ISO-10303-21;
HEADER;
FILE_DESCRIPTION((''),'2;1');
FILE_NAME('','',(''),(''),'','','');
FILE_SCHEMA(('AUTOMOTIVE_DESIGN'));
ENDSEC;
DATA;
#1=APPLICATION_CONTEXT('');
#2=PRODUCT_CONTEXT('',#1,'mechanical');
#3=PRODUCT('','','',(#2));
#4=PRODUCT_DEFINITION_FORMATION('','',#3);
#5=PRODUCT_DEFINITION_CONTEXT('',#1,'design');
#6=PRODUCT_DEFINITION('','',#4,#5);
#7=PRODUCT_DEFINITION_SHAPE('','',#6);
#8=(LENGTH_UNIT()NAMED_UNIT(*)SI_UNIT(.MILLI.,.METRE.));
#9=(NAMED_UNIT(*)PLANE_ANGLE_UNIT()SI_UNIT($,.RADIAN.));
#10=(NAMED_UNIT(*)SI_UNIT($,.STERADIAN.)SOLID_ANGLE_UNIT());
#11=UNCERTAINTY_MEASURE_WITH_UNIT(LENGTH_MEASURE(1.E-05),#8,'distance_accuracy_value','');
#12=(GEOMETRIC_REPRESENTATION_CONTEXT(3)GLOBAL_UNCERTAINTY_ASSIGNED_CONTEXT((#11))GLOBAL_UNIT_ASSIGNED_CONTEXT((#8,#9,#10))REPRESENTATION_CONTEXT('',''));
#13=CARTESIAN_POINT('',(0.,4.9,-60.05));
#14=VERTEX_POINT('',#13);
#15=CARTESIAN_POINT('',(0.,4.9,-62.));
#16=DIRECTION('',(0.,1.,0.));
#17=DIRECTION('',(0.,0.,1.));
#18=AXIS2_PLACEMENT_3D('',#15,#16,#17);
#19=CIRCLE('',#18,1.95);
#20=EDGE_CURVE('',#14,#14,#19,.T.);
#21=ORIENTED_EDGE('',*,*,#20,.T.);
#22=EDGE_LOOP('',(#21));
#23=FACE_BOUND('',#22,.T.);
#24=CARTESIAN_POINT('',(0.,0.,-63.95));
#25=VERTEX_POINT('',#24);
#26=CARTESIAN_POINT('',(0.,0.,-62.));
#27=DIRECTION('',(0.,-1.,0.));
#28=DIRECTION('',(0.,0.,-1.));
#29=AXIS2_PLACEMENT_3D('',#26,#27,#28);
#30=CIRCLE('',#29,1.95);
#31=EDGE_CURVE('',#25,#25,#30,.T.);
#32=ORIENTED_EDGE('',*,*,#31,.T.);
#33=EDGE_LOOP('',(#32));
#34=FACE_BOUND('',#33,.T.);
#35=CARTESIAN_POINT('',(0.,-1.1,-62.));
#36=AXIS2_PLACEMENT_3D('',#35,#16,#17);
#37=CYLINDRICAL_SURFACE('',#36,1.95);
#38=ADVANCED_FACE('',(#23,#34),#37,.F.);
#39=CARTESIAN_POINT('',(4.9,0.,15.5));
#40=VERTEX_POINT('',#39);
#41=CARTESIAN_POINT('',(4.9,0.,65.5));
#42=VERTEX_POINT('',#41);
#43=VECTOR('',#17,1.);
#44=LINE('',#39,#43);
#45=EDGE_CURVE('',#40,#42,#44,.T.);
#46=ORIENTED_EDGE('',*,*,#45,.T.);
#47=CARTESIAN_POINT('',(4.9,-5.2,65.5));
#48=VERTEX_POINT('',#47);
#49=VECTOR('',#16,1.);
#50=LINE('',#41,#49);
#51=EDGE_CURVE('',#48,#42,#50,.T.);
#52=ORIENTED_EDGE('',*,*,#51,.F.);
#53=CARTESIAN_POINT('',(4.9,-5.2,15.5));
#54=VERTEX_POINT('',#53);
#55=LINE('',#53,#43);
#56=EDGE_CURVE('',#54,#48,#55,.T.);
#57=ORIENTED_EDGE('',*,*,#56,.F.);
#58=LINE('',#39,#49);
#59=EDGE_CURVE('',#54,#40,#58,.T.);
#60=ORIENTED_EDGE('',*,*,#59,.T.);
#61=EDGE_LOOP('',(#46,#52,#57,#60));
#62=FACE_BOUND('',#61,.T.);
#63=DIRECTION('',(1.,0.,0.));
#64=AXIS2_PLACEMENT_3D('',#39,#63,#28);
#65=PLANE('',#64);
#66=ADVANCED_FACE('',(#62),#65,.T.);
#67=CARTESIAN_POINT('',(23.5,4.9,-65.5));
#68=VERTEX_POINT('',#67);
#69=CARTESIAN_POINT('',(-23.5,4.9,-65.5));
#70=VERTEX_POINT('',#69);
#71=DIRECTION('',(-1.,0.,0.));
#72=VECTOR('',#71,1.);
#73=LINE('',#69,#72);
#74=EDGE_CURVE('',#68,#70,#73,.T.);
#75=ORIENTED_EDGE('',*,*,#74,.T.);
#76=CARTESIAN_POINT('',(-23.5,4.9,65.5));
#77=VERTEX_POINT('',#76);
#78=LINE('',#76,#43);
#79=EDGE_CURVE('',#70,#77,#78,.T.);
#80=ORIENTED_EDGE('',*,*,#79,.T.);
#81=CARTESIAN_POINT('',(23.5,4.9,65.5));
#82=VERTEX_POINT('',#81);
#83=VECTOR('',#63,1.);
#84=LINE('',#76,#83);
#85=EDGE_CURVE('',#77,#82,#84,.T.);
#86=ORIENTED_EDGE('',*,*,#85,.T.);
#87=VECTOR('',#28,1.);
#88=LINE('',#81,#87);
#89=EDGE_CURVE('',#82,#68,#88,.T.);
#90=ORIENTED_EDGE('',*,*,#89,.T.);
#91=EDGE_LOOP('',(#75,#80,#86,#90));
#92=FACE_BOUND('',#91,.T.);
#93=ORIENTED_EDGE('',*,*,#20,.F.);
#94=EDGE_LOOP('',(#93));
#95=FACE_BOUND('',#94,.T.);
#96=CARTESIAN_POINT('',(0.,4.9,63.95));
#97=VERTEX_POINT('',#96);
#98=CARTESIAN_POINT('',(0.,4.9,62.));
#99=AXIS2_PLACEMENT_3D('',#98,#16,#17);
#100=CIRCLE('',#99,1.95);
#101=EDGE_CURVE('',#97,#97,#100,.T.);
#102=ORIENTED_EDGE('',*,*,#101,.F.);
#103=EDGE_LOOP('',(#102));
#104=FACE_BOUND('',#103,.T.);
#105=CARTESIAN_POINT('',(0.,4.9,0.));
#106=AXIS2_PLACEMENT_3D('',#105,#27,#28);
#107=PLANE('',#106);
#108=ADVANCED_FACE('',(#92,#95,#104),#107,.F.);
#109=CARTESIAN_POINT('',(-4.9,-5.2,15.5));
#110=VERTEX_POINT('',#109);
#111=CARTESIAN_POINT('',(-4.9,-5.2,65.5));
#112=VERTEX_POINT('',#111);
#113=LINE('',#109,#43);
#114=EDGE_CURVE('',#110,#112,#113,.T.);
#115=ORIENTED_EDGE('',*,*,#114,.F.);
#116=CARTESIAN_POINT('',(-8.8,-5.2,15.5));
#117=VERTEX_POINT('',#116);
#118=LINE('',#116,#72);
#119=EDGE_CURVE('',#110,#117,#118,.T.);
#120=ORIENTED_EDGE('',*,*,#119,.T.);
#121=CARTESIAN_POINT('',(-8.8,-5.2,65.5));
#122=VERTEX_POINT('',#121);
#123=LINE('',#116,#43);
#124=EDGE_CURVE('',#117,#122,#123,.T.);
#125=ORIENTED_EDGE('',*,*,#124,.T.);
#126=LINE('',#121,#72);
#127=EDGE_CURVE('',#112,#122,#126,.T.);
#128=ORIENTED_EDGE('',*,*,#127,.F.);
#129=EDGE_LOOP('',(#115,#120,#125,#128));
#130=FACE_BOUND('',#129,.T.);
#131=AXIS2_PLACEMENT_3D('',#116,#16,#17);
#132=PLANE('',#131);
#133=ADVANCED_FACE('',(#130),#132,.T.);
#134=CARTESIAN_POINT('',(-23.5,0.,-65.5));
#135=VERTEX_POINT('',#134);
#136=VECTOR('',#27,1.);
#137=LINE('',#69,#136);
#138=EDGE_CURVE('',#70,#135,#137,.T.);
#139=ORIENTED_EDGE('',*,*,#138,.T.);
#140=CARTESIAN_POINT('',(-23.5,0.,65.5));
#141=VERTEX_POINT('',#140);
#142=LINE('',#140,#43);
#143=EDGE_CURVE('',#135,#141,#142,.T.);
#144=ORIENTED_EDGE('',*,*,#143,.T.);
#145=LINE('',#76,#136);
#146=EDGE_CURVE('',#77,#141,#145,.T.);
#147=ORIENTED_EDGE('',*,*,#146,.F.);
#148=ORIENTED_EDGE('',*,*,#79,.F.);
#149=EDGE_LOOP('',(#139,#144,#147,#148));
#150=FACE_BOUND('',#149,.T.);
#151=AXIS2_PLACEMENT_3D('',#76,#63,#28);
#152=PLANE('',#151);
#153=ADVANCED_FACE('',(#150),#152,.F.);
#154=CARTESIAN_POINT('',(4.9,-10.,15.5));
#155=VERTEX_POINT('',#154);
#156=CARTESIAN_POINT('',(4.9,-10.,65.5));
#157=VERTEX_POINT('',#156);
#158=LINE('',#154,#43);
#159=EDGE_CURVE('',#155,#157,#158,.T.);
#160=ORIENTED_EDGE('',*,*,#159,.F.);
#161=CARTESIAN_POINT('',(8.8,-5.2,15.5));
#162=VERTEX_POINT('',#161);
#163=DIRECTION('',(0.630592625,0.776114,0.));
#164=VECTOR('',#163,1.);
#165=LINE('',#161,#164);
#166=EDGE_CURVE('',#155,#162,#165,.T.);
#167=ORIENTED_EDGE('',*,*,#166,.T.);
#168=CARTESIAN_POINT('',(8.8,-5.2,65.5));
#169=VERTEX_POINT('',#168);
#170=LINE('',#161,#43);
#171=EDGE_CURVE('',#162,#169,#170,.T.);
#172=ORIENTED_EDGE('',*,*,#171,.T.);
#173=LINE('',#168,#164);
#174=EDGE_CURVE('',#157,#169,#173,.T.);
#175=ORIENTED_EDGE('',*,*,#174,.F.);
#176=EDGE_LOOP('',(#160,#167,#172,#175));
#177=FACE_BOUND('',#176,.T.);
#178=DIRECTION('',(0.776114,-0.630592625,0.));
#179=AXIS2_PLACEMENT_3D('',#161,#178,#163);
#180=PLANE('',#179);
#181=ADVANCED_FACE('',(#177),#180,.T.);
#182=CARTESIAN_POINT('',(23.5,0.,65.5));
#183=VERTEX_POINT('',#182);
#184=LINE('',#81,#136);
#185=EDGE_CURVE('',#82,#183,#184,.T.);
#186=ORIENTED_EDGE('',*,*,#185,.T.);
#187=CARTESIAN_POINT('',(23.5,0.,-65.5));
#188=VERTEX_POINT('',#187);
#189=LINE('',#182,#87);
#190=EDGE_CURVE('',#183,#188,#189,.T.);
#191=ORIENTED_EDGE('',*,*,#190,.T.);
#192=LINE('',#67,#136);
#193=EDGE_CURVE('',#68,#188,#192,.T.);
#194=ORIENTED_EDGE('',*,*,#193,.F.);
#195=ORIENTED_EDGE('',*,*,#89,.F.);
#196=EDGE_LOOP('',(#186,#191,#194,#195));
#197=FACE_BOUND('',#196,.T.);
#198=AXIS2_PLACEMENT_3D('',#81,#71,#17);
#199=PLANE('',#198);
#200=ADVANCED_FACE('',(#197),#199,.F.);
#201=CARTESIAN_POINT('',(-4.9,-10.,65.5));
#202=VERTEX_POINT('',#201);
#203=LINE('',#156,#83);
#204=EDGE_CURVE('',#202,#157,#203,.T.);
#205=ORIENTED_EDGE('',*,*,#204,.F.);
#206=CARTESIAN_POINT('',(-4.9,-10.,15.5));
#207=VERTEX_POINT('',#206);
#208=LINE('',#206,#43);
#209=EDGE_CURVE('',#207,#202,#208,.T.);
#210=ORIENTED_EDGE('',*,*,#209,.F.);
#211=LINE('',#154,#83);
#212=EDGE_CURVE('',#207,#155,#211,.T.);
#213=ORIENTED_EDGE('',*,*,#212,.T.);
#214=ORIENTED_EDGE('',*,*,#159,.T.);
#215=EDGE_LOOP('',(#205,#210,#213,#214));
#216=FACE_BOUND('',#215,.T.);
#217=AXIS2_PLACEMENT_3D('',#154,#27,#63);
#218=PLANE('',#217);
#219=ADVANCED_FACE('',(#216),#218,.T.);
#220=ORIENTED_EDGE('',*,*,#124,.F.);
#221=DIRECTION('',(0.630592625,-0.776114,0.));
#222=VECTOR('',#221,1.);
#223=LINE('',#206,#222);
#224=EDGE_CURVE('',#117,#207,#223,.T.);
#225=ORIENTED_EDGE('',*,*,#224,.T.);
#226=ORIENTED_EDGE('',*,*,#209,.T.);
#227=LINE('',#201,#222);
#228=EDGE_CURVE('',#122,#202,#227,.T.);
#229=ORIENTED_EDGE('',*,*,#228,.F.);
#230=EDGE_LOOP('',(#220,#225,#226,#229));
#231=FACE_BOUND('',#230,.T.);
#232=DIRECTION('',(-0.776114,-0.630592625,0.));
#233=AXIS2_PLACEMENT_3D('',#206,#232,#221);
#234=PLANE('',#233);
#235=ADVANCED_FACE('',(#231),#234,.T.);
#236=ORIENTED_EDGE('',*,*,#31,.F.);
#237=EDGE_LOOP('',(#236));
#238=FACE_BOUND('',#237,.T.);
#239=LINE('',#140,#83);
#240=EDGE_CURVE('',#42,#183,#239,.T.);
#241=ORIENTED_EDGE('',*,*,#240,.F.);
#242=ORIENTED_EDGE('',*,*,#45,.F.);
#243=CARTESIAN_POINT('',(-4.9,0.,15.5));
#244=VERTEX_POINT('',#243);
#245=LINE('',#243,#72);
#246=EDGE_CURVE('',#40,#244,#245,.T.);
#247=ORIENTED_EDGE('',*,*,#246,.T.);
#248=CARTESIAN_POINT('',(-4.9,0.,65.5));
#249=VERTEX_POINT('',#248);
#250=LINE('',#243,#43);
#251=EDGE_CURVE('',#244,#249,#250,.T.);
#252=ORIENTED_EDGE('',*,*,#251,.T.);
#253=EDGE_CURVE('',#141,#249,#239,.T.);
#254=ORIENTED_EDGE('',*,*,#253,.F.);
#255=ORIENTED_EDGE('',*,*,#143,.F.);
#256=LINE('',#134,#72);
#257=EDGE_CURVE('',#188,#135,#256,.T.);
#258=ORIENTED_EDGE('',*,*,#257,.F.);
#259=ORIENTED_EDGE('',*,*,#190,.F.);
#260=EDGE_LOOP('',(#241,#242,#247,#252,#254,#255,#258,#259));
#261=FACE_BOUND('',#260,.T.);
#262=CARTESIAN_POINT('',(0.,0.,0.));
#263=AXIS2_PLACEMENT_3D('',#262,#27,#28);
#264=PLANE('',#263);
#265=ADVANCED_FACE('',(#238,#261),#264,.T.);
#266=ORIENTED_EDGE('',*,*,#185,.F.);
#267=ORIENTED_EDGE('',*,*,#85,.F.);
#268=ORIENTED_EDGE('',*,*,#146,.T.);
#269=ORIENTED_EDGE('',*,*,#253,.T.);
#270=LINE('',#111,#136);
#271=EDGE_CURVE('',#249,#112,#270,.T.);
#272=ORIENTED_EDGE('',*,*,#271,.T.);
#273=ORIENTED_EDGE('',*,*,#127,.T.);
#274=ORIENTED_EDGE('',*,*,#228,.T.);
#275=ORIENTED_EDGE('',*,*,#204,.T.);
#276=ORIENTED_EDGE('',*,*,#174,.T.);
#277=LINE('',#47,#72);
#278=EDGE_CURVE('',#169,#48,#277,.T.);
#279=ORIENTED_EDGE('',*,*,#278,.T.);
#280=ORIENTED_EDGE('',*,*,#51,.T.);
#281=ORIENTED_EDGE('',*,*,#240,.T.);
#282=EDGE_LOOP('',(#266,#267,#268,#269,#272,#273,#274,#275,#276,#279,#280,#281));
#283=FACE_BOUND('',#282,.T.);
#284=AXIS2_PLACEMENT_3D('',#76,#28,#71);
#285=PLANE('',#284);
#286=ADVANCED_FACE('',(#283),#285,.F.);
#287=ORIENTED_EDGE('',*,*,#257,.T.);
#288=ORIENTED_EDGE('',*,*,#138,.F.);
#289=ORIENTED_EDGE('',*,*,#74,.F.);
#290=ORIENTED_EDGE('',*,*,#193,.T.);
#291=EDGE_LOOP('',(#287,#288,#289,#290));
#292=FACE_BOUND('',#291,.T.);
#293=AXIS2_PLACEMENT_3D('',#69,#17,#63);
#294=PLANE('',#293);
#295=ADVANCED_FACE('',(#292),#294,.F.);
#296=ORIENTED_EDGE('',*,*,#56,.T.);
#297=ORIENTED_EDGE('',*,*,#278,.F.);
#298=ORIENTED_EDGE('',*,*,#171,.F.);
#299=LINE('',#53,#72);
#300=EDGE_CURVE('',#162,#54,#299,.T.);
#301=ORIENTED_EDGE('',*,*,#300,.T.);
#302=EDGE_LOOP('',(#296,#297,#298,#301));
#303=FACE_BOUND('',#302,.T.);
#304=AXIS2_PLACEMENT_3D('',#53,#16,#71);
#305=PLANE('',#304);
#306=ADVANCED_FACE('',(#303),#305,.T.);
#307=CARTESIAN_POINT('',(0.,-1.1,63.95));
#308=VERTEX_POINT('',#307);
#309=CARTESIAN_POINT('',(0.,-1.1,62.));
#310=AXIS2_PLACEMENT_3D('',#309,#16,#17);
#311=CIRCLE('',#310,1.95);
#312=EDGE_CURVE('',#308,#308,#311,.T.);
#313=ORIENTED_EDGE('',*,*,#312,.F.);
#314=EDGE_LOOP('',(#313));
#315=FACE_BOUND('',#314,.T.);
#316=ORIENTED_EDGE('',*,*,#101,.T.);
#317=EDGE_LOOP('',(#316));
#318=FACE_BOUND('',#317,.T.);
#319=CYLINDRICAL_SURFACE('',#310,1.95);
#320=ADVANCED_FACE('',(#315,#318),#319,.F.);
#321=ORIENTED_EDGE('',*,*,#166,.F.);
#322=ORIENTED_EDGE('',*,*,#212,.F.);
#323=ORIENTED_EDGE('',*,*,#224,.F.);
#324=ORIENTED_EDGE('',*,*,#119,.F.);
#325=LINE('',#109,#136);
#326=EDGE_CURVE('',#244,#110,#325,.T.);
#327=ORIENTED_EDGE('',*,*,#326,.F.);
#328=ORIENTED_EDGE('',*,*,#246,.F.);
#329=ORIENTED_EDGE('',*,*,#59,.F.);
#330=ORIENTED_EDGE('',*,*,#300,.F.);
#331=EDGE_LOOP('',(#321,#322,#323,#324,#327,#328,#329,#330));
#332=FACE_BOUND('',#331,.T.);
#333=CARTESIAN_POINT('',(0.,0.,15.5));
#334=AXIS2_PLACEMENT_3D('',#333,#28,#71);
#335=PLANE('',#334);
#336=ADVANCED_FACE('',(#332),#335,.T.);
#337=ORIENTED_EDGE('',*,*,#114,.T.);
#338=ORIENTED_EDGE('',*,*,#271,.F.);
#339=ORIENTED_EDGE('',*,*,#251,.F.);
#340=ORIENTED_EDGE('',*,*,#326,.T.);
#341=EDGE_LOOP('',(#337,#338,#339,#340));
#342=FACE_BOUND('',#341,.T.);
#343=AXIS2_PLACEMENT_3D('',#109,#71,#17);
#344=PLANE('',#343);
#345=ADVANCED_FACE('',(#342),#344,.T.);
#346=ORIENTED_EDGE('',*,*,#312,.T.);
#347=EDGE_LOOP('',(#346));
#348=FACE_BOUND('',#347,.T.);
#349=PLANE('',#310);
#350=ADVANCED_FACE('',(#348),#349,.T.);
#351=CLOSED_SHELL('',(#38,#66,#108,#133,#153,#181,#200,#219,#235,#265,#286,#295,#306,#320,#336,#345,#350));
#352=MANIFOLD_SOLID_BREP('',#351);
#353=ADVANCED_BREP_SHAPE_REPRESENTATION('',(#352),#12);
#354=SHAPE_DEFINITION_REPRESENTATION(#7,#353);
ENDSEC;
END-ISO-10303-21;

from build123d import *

# Parameters (mm, degrees)
SKETCH1_W           = 47
SKETCH1_H           = 131
BOSS_EXTRUDE1_DEPTH = 4.9
BOSS_EXTRUDE2_DEPTH = 50
SKETCH2_R           = 1.95
CUT_EXTRUDE1_DEPTH  = 6


with BuildPart() as part:
    # Sketch1 → Boss-Extrude1 (new body)
    with BuildSketch(Plane(origin=(0, 0, 0), x_dir=(1, 0, 0), z_dir=(0, 1, 0))):
        Rectangle(SKETCH1_W, SKETCH1_H)
    extrude(amount=BOSS_EXTRUDE1_DEPTH)

    # Sketch3 → Boss-Extrude2 (add)
    with BuildSketch(Plane.XY.offset(65.5)):
        Polygon((-4.9, 0), (4.9, 0), (4.9, -5.2), (8.8, -5.2), (4.9, -10), (-4.9, -10), (-8.8, -5.2), (-4.9, -5.2), align=None)
    extrude(amount=-BOSS_EXTRUDE2_DEPTH)

    # Sketch2 → Cut-Extrude1 (cut)
    with BuildSketch(Plane(origin=(0, 4.9, 0), x_dir=(1, 0, 0), z_dir=(0, 1, 0))):
        with Locations((0, 62)):
            Circle(SKETCH2_R)
        with Locations((0, -62)):
            Circle(SKETCH2_R)
    extrude(amount=-CUT_EXTRUDE1_DEPTH, mode=Mode.SUBTRACT)


solid = part.part
